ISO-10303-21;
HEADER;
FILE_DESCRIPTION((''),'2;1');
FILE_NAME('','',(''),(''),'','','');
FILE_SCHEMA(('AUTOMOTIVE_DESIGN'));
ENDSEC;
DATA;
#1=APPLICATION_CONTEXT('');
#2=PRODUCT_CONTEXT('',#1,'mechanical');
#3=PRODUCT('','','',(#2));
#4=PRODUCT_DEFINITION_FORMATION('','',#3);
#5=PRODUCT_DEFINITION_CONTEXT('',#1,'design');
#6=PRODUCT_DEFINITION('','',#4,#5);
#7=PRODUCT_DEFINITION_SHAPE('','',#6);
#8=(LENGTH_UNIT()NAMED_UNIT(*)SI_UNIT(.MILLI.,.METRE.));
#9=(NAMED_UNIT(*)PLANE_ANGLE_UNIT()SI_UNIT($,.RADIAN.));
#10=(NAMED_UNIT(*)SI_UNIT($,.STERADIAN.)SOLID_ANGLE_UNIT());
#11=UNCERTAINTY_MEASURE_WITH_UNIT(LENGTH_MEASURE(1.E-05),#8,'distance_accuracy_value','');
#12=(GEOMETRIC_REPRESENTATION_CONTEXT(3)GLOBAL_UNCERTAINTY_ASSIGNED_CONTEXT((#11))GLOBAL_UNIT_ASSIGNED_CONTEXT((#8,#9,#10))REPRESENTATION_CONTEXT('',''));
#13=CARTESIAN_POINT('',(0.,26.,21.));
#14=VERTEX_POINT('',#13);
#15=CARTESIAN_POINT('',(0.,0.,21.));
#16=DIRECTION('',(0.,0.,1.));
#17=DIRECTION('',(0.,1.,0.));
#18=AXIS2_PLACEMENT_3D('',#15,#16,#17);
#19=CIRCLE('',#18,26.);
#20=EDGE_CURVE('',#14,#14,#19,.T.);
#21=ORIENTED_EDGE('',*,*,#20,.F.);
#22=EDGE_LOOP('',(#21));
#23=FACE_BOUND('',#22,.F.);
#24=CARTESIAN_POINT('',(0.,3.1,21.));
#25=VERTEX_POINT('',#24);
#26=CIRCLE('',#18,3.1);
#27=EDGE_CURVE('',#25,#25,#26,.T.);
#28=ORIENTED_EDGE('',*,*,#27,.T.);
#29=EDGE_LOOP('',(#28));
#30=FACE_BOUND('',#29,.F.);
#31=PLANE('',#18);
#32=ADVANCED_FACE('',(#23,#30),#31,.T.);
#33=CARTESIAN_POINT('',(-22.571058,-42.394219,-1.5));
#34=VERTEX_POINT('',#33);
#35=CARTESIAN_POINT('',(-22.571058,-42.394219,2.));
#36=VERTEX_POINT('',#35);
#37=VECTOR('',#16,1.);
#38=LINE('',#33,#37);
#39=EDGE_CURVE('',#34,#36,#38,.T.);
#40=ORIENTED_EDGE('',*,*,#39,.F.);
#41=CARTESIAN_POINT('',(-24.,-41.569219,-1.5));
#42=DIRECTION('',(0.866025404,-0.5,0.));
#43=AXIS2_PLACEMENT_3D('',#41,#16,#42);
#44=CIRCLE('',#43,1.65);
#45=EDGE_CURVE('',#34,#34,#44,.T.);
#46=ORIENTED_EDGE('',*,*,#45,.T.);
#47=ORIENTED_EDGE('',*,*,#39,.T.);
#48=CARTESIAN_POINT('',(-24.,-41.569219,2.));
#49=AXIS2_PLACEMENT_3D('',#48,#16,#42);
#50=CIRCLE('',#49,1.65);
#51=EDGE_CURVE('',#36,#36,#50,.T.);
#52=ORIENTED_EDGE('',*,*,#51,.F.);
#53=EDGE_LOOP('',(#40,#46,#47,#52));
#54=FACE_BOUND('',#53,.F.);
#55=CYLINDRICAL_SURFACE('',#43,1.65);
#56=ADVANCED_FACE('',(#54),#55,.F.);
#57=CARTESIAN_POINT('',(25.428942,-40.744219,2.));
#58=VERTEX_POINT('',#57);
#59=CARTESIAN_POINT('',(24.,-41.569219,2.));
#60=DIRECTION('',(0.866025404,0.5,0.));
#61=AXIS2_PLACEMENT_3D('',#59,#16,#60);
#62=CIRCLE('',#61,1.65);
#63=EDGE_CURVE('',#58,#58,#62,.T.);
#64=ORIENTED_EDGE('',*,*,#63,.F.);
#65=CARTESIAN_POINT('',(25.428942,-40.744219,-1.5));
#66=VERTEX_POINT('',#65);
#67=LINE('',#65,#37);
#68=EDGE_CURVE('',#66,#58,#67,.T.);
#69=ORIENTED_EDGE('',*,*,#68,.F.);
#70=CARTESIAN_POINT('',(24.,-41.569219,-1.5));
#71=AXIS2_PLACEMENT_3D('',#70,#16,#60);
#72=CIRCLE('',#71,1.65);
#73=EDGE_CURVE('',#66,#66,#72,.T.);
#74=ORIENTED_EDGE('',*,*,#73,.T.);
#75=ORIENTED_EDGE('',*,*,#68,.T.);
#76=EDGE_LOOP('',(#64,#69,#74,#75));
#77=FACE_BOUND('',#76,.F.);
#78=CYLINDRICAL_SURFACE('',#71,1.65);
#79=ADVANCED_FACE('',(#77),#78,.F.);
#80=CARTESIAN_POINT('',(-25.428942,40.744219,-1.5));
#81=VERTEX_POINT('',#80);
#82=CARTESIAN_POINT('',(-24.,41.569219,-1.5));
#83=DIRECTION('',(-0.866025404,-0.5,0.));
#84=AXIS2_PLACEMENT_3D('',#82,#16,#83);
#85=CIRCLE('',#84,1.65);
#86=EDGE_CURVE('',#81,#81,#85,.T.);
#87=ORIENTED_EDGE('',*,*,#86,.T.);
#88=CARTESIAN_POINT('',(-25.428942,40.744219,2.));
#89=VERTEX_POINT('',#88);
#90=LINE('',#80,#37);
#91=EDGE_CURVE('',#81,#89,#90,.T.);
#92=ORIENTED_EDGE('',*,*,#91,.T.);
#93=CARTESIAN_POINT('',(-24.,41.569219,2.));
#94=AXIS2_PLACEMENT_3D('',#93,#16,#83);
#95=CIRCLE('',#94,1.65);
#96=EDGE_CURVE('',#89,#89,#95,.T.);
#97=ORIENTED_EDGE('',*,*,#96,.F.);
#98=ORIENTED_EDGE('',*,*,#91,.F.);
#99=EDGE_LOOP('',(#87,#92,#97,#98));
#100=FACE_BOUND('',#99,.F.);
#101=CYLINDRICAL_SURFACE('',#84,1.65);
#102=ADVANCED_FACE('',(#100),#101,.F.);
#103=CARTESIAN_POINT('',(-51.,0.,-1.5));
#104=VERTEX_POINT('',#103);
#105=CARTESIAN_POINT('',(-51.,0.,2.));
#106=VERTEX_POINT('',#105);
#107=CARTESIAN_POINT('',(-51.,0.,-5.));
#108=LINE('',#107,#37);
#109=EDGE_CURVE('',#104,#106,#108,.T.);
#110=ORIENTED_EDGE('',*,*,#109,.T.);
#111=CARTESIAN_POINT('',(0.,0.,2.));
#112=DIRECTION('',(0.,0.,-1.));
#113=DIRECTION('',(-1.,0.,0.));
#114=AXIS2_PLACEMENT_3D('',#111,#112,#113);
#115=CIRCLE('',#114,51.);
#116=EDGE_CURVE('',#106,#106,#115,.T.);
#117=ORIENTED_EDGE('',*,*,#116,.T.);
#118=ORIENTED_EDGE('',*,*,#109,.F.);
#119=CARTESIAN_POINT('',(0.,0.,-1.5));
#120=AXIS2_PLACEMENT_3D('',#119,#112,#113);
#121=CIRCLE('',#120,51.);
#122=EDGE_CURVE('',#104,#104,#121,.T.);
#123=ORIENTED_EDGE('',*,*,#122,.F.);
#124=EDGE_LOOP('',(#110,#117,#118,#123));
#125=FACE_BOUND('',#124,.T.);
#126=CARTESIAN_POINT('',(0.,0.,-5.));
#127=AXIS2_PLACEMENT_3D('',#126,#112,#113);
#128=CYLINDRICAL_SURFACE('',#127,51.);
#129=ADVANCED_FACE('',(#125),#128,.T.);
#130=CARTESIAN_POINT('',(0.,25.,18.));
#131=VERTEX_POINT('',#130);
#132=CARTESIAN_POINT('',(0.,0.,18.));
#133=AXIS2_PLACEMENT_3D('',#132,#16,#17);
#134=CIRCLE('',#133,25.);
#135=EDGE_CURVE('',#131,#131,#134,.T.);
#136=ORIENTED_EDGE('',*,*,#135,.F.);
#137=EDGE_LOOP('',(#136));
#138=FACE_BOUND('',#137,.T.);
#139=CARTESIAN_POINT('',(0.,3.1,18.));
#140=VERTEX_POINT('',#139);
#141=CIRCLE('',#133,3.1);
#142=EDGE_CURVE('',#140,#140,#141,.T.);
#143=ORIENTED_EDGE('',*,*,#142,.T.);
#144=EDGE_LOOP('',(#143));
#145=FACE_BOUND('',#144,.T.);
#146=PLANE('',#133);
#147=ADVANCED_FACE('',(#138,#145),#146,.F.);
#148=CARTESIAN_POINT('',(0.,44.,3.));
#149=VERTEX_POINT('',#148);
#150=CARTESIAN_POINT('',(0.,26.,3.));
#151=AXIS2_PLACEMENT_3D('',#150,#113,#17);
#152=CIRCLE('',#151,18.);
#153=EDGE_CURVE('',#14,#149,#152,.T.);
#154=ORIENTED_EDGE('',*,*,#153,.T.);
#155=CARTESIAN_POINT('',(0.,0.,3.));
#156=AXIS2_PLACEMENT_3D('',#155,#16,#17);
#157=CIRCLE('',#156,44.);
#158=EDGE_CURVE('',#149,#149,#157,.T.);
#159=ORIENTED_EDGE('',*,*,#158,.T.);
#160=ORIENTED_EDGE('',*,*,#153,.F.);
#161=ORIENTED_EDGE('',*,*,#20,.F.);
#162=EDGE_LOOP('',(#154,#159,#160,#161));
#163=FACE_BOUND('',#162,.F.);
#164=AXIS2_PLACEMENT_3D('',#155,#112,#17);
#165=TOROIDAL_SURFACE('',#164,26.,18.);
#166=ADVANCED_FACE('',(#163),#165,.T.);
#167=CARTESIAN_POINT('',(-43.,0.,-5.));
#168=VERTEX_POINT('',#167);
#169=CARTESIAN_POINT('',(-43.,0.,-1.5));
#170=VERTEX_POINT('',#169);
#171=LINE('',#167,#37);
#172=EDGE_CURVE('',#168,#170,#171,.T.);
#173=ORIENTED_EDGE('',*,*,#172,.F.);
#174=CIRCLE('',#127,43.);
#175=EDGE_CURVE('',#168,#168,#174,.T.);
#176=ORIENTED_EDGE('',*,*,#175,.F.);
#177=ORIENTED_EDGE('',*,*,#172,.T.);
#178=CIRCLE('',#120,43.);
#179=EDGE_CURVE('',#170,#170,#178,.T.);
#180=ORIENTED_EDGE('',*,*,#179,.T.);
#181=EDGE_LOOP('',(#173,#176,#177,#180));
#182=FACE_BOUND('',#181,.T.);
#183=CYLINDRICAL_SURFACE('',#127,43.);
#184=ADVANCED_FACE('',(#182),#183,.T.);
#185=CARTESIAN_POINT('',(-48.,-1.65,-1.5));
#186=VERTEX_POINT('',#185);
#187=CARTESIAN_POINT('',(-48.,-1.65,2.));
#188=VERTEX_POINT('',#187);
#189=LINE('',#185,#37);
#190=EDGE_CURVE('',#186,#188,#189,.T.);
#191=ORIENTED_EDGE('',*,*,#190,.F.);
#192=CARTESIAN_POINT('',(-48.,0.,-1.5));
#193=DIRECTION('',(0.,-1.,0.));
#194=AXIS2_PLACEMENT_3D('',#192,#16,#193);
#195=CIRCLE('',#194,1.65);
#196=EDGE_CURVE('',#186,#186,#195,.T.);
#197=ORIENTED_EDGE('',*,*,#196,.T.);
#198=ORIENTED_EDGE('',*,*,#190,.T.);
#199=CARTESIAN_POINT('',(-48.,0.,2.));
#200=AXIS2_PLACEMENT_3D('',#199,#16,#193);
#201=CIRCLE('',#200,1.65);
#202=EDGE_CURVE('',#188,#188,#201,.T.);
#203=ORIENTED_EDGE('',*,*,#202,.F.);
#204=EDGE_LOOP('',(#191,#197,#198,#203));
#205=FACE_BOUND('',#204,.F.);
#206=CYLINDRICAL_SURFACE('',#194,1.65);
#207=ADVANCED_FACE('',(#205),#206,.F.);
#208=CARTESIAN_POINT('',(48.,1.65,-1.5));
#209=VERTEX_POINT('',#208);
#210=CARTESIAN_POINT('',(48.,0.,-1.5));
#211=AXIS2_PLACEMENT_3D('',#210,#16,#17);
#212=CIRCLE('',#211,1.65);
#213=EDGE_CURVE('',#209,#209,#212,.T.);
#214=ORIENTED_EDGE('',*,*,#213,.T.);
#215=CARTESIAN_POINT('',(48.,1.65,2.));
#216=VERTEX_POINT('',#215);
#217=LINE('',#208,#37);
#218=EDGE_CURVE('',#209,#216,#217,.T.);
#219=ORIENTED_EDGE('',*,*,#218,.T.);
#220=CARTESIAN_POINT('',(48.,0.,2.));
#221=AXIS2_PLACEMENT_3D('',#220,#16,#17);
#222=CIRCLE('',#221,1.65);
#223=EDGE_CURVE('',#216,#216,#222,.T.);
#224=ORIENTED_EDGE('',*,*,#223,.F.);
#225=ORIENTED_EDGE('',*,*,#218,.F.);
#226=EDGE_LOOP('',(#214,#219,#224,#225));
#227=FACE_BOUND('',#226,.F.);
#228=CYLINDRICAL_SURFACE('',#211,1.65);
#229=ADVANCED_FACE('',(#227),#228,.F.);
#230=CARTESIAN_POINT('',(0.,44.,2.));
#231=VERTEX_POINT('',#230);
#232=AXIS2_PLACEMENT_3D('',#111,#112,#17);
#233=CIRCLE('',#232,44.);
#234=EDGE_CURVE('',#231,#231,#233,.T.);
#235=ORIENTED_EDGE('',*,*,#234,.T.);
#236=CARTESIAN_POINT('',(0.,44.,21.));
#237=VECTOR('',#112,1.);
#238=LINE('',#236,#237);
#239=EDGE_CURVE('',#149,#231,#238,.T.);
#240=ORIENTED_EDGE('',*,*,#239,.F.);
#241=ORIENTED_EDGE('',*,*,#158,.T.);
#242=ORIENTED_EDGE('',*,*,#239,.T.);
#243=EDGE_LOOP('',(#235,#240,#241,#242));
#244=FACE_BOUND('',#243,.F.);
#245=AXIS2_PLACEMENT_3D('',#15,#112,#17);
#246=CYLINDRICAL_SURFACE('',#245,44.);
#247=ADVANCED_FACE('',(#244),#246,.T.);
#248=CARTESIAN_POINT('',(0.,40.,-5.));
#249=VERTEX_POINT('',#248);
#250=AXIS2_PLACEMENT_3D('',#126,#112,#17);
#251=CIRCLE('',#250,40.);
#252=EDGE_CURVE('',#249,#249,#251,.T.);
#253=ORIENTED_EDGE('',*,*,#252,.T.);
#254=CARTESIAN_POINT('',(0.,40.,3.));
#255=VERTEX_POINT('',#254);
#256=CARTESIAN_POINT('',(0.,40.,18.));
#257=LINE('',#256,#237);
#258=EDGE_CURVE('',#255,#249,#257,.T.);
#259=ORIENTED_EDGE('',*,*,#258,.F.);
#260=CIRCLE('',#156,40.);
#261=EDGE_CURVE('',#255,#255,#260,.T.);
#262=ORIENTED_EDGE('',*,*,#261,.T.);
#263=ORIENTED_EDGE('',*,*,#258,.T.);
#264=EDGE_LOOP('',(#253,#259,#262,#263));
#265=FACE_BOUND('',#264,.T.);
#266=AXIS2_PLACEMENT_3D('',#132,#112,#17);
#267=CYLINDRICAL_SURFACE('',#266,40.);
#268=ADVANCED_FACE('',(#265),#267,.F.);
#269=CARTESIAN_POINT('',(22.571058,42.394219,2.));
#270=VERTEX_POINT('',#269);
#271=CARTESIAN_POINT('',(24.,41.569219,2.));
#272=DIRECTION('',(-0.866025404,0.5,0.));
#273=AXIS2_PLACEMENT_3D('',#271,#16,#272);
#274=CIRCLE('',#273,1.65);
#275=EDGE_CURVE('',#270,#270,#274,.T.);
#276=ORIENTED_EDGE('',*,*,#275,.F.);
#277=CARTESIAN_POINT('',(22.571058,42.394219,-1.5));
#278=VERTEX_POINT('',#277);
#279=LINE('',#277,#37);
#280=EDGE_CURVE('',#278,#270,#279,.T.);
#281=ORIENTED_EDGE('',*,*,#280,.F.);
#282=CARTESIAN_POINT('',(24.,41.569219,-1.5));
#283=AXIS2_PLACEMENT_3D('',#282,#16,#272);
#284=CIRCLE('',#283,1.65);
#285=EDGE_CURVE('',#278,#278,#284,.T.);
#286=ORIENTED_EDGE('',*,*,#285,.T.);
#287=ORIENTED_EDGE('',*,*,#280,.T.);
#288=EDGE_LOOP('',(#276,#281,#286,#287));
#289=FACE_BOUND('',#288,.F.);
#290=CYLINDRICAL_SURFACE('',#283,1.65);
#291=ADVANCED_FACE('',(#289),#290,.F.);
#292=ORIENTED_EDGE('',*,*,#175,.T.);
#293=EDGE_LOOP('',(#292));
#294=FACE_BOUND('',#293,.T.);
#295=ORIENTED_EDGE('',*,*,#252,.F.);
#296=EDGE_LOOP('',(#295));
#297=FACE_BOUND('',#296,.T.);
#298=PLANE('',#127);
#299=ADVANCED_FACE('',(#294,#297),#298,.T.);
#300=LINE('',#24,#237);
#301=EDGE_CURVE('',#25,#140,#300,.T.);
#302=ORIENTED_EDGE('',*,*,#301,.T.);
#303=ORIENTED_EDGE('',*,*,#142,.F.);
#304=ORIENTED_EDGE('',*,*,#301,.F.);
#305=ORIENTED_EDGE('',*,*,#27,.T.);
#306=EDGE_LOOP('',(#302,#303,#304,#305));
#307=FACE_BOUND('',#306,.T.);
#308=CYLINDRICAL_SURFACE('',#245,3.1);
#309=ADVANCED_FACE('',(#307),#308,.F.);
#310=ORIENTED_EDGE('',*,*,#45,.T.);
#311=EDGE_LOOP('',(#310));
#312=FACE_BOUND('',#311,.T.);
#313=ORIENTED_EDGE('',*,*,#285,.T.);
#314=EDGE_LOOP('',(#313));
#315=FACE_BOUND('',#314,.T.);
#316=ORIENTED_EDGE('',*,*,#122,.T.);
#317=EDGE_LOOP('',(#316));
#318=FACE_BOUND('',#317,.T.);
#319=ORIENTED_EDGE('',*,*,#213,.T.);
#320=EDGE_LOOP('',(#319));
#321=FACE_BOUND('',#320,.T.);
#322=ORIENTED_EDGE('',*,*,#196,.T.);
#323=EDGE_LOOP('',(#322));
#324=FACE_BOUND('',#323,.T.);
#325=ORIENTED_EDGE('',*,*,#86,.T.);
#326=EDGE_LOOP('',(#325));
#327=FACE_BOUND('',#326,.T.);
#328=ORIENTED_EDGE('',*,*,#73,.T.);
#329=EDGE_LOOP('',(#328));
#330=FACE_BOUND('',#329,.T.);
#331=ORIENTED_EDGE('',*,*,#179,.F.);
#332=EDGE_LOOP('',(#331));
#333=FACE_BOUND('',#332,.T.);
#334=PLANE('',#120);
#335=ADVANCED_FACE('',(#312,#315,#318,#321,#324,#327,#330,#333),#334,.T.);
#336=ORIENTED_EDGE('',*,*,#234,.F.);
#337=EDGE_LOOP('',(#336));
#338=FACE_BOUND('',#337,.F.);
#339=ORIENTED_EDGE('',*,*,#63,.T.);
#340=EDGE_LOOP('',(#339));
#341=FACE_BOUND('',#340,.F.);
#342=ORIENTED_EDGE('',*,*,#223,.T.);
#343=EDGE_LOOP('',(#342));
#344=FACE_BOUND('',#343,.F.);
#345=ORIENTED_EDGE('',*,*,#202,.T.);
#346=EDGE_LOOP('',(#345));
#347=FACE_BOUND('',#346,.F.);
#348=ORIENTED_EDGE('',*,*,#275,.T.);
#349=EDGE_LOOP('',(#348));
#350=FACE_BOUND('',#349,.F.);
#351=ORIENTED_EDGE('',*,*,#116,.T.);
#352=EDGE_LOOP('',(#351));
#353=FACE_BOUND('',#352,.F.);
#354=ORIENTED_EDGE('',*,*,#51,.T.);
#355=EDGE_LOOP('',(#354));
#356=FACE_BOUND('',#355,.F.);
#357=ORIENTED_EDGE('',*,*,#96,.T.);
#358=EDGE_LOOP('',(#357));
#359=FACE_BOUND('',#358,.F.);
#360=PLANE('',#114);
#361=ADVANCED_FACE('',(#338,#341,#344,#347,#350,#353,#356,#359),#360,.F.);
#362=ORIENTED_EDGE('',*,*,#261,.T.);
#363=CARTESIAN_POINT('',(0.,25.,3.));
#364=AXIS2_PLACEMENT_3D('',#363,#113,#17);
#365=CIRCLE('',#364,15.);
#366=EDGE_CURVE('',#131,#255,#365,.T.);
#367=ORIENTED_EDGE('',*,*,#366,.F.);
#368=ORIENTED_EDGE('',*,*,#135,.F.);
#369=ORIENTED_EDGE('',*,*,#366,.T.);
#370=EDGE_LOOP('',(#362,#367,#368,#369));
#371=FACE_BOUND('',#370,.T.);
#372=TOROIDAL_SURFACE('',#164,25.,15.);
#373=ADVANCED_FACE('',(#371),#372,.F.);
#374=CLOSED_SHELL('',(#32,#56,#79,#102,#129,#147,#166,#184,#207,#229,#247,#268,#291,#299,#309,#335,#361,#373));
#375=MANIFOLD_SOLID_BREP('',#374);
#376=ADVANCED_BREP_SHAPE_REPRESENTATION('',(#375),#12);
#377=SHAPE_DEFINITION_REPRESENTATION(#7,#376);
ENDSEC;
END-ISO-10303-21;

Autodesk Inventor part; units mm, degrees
ref_plane "YZ Plane" through (0, 0, 0) normal (1, 0, 0) x (0, 1, 0)
ref_plane "XZ Plane" through (0, 0, 0) normal (0, 1, 0) x (-1, 0, 0)
sketch "Skizze1" plane through (0, 0, 0) normal (1, 0, 0) x (0, 1, 0)
  line L0 (0, 0) -> (0, 55)
  line L1 (44, 0) -> (0, 0) construction
  line L2 (3.1, 21) -> (3.1, 18)
  line L3 (44, 0) -> (40, 0)
  line L4 (40, 0) -> (40, -5)
  line L5 (40, -5) -> (44, -5)
  line L6 (44, -5) -> (44, 0)
  line L7 (3.1, 18) -> (40, 18)
  line L8 (40, 18) -> (40, 0)
  line L9 (3.1, 21) -> (44, 21)
  line L10 (44, 21) -> (44, 0)
  point P0 (21.7075, 15.1998)
  dimension "d143" = 6.2
  dimension "d146" = 18
  dimension "d147" = 3
  dimension "d155" = 5
  dimension "d156" = 4
  dimension "d186" = 80
revolve "Umdrehung4" add sketch "Skizze1" angle 360 about axis through (0, 0, 0) along (0, 0, 1)
sketch "Skizze28" plane through (0, 0, -5) normal (0, 0, -1) x (-1, 0, 0)
  circle A0 centre (0, 0) radius 44 projected
  circle A1 centre (0, 0) radius 40 projected
  circle A2 centre (0, 0) radius 51
  dimension "d157" = 102
extrude "Extrusion10" add sketch "Skizze28" against normal blind 7 contours A0 | A2
sketch "Skizze29" plane through (0, 0, -5) normal (0, 0, -1) x (-1, 0, 0)
  circle A0 centre (0, 0) radius 51 projected
  circle A1 centre (0, 0) radius 43
  dimension "d160" = 86
extrude "Extrusion11" cut sketch "Skizze29" against normal blind 3.5
sketch "Skizze30" plane through (0, 0, -1.5) normal (0, 0, -1) x (-1, 0, 0)
  circle A0 centre (0, 0) radius 43 projected
  circle A1 centre (0, 0) radius 51 projected
  point P0 (-48, 0)
  dimension "d163" = 48
hole "Bohrung3" at (48, 0, -1.5) direction (0, 0, 1) diameter 3.3 end through all
pattern_circular "Runde Anordnung2" count 6 over 360 about axis through (0, 0, -5) along (0, 0, 1) of "Bohrung3"
ref_plane "Arbeitsebene10" through (0, 0, 19) normal (0, 0, 1) x (1, 0, 0)
fillet "Rundung1" radius 15 1 edges at (0, -40, 18)
fillet "Rundung2" radius 18 1 edges at (0, -44, 21)
properties part number "Kugel_oben_V5_Riza" material "ABS-Kunststoff"
